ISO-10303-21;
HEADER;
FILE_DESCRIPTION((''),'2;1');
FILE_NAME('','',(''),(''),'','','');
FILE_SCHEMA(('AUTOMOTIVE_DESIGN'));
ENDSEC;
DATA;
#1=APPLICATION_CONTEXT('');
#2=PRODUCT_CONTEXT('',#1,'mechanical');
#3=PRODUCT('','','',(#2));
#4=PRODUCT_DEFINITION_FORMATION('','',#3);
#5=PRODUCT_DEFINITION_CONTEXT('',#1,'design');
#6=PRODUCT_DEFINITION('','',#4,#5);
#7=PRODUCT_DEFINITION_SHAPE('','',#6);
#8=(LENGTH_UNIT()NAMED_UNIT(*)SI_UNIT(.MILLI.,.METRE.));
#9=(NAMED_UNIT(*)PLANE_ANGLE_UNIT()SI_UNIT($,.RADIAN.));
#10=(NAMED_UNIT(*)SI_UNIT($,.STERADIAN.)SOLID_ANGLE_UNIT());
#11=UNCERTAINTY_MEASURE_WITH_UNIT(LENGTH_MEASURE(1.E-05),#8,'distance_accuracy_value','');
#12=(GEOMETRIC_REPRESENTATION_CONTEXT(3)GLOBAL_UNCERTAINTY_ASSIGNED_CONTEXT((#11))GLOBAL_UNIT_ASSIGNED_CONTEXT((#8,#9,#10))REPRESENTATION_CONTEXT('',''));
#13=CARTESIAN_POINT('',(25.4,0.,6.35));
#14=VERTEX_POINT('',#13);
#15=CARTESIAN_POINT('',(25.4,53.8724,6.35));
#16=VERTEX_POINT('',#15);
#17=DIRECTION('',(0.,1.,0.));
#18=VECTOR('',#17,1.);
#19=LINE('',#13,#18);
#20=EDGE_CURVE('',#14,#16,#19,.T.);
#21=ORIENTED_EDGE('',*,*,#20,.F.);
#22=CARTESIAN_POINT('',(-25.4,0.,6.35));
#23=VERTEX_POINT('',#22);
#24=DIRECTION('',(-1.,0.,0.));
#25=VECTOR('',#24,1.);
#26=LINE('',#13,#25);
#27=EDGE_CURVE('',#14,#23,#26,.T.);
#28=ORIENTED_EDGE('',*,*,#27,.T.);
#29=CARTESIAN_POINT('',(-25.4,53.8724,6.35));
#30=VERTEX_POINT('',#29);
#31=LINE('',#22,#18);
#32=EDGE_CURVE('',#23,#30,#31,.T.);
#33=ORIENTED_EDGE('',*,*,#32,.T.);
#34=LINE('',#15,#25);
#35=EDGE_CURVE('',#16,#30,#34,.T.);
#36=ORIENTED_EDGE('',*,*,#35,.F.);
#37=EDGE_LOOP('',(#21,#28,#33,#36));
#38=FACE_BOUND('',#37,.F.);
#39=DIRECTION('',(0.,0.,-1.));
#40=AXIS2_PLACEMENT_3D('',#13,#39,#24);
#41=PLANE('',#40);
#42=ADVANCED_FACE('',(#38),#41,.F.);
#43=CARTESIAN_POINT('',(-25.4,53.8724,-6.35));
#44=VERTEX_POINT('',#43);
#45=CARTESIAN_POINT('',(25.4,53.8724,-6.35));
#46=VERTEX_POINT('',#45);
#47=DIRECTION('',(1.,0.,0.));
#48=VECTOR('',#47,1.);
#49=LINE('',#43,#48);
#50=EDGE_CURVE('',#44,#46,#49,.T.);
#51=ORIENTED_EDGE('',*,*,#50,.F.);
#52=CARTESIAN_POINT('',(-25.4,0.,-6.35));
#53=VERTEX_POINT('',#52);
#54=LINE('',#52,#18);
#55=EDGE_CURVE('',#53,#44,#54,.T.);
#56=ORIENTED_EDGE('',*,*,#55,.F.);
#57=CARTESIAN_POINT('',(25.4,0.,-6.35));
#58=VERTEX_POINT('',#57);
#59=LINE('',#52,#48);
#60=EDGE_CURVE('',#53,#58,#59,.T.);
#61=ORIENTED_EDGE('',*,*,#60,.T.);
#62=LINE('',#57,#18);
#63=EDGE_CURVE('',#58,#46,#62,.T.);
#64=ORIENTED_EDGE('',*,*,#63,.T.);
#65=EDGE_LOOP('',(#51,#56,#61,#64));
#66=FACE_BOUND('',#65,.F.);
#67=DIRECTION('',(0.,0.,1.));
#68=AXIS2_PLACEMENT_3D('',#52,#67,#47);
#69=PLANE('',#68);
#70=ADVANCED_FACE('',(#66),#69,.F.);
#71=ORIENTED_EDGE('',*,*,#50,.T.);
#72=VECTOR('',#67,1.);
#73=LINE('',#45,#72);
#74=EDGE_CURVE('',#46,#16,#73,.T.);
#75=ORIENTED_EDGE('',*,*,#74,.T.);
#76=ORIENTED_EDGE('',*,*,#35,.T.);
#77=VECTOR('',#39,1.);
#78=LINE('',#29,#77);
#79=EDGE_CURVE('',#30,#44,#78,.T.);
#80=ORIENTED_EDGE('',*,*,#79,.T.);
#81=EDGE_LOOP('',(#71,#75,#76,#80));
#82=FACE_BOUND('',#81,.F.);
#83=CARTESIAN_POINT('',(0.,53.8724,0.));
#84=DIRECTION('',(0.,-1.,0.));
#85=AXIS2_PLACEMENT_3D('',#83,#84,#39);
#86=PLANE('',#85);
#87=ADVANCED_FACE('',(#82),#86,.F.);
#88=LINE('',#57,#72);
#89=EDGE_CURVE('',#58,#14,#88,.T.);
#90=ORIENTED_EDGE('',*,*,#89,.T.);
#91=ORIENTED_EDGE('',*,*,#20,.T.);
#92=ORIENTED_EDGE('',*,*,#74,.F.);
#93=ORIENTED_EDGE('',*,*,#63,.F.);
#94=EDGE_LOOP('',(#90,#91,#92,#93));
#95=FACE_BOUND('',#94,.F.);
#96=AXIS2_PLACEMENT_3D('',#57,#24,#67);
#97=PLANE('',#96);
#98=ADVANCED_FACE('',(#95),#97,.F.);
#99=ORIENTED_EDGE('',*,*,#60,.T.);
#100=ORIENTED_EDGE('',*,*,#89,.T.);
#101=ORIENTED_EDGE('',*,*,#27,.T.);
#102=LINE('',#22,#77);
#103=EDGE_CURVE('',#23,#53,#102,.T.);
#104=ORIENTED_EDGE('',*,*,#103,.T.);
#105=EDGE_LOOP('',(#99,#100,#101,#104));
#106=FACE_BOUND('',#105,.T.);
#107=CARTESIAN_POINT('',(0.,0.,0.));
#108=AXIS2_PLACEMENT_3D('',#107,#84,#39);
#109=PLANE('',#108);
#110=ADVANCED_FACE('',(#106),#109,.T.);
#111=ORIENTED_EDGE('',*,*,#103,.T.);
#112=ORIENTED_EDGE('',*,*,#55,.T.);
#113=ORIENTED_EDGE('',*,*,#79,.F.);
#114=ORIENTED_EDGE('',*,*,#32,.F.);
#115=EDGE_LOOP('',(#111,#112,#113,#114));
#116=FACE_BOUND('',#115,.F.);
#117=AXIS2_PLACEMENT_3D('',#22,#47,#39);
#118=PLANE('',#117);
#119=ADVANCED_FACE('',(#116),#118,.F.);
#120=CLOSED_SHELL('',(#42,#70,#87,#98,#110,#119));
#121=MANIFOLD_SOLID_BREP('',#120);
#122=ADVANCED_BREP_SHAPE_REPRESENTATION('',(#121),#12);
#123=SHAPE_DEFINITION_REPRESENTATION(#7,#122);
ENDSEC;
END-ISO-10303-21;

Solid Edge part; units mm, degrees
sketch "Sketch1" plane through (0, 0, 0) normal (1, 0, 0) x (0, 1, 0)
  line L0 (0, 0) -> (53.8724, 0)
sketch "Sketch2" plane through (0, 0, 0) normal (0, -1, 0) x (1, 0, 0)
  line L0 (25.4, -6.35) -> (25.4, 6.35)
  line L1 (25.4, 6.35) -> (-25.4, 6.35)
  line L2 (-25.4, 6.35) -> (-25.4, -6.35)
  line L3 (-25.4, -6.35) -> (25.4, -6.35)
  dimension "D1" = 50.8
  dimension "D2" = 12.7
sweep "Protrusion_1" add profiles "Sketch2" path "Sketch1"
